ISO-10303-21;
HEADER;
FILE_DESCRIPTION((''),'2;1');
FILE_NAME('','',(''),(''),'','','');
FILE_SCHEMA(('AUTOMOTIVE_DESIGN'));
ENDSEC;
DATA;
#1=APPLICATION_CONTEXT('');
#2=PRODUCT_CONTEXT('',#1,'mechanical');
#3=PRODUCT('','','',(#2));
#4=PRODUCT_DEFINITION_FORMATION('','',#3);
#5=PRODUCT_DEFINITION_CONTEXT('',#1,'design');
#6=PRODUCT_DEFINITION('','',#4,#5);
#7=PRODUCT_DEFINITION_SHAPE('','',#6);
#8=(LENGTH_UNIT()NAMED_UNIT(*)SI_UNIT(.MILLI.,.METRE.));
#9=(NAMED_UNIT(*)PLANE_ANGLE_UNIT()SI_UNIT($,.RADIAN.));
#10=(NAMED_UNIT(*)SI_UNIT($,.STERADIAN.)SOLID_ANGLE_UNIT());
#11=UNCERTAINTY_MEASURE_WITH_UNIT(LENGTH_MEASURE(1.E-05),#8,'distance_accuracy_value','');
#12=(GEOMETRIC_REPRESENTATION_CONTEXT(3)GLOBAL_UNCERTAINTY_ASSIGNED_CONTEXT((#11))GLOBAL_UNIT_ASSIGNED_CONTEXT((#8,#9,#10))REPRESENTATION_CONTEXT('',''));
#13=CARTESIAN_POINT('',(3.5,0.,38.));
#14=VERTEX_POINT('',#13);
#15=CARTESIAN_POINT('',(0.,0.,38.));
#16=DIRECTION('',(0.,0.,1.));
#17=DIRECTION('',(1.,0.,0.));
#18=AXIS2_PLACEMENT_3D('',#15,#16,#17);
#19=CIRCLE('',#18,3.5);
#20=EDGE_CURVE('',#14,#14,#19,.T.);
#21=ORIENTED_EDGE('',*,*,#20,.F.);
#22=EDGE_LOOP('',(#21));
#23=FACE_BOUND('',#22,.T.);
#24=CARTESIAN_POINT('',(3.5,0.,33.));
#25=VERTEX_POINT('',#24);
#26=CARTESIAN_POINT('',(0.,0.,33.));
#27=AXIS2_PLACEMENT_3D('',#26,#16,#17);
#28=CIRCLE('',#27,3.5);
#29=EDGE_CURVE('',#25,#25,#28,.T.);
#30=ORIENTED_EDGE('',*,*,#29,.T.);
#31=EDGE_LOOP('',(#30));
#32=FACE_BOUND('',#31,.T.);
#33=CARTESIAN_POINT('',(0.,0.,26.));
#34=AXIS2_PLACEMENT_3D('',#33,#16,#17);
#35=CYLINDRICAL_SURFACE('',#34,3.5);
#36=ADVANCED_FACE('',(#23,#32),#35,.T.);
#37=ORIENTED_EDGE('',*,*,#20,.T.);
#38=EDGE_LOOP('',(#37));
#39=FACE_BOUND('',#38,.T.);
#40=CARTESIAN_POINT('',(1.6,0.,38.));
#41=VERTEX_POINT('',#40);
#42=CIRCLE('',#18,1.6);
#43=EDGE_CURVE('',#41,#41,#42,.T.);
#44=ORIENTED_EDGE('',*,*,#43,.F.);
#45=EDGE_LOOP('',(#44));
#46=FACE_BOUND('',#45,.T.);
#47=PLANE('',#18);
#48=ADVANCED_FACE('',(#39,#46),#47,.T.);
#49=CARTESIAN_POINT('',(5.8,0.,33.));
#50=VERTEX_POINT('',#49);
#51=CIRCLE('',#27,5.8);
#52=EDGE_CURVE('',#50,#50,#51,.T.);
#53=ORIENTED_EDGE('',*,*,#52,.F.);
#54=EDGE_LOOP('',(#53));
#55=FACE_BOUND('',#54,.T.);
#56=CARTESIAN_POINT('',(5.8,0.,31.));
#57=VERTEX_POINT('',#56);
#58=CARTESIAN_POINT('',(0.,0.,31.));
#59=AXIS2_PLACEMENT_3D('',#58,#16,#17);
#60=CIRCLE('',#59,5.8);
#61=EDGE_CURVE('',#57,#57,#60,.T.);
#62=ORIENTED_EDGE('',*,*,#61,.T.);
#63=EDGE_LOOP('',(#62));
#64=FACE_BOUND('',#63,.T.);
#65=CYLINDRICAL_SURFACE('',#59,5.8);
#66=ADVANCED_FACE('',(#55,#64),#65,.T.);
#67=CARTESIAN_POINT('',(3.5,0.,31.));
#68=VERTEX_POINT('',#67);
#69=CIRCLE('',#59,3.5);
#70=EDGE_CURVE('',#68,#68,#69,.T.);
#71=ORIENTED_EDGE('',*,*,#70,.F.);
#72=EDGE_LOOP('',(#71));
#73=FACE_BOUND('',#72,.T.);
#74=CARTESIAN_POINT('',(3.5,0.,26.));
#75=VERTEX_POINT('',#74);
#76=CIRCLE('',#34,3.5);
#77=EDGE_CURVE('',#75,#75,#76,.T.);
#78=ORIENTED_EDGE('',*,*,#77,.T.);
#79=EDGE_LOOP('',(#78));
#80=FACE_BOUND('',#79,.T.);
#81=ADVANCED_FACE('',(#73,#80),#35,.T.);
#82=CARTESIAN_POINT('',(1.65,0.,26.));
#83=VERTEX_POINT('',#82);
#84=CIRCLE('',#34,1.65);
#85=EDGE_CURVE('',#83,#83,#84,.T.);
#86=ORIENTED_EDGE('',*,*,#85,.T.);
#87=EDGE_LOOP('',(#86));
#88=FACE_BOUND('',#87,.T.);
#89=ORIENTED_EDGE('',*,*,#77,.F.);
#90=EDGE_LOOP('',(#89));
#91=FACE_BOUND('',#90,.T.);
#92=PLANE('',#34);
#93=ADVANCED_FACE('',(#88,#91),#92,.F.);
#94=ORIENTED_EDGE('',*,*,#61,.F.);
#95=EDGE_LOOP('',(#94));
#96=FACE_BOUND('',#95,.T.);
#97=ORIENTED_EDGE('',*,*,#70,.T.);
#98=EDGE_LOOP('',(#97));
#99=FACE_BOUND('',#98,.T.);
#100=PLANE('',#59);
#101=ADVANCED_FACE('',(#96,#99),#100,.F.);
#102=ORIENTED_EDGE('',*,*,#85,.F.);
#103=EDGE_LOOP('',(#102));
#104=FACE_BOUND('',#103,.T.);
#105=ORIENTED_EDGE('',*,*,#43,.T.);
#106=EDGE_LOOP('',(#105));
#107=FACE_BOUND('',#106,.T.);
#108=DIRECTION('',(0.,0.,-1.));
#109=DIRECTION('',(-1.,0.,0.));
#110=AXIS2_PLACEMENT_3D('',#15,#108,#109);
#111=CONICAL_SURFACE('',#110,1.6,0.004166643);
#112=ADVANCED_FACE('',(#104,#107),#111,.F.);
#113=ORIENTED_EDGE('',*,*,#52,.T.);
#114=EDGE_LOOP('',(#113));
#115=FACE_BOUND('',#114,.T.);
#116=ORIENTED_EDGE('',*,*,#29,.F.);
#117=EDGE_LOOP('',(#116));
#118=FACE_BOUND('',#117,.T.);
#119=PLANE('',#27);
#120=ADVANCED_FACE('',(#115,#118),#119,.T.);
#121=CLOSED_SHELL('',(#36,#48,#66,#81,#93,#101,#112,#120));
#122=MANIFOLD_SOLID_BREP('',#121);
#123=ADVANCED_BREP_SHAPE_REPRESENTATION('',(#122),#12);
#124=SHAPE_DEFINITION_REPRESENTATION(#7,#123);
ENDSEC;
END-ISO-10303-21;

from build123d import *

# Parameters (mm, degrees)
SKETCH1_R                = 5.8
BOSS_EXTRUDE1_DEPTH      = 2
BOSS_EXTRUDE2_DEPTH      = 5
BOSS_EXTRUDE2_DEPTH_BACK = 7
SKETCH2_R                = 3.5
SKETCH8_R                = 1.6
SKETCH6_R                = 1.65


with BuildPart() as part:
    # Sketch1 → Boss-Extrude1 (new body)
    with BuildSketch(Plane.XY.offset(33)):
        Circle(SKETCH1_R)
    extrude(amount=-BOSS_EXTRUDE1_DEPTH)

    # Sketch2 → Boss-Extrude2 (add, two sides: drawn at the far end of the back side and taken through both)
    with BuildSketch(Plane.XY.offset(33).offset(-BOSS_EXTRUDE2_DEPTH_BACK)):
        Circle(SKETCH2_R)
    extrude(amount=BOSS_EXTRUDE2_DEPTH + BOSS_EXTRUDE2_DEPTH_BACK)

    # Sketch8 → Cut-Loft2 section 0
    with BuildSketch(Plane.XY.offset(38)):
        Circle(SKETCH8_R)
    # Sketch6 → Cut-Loft2 section 1
    with BuildSketch(Plane.XY.offset(26)):
        Circle(SKETCH6_R)
    loft(mode=Mode.SUBTRACT)


solid = part.part
